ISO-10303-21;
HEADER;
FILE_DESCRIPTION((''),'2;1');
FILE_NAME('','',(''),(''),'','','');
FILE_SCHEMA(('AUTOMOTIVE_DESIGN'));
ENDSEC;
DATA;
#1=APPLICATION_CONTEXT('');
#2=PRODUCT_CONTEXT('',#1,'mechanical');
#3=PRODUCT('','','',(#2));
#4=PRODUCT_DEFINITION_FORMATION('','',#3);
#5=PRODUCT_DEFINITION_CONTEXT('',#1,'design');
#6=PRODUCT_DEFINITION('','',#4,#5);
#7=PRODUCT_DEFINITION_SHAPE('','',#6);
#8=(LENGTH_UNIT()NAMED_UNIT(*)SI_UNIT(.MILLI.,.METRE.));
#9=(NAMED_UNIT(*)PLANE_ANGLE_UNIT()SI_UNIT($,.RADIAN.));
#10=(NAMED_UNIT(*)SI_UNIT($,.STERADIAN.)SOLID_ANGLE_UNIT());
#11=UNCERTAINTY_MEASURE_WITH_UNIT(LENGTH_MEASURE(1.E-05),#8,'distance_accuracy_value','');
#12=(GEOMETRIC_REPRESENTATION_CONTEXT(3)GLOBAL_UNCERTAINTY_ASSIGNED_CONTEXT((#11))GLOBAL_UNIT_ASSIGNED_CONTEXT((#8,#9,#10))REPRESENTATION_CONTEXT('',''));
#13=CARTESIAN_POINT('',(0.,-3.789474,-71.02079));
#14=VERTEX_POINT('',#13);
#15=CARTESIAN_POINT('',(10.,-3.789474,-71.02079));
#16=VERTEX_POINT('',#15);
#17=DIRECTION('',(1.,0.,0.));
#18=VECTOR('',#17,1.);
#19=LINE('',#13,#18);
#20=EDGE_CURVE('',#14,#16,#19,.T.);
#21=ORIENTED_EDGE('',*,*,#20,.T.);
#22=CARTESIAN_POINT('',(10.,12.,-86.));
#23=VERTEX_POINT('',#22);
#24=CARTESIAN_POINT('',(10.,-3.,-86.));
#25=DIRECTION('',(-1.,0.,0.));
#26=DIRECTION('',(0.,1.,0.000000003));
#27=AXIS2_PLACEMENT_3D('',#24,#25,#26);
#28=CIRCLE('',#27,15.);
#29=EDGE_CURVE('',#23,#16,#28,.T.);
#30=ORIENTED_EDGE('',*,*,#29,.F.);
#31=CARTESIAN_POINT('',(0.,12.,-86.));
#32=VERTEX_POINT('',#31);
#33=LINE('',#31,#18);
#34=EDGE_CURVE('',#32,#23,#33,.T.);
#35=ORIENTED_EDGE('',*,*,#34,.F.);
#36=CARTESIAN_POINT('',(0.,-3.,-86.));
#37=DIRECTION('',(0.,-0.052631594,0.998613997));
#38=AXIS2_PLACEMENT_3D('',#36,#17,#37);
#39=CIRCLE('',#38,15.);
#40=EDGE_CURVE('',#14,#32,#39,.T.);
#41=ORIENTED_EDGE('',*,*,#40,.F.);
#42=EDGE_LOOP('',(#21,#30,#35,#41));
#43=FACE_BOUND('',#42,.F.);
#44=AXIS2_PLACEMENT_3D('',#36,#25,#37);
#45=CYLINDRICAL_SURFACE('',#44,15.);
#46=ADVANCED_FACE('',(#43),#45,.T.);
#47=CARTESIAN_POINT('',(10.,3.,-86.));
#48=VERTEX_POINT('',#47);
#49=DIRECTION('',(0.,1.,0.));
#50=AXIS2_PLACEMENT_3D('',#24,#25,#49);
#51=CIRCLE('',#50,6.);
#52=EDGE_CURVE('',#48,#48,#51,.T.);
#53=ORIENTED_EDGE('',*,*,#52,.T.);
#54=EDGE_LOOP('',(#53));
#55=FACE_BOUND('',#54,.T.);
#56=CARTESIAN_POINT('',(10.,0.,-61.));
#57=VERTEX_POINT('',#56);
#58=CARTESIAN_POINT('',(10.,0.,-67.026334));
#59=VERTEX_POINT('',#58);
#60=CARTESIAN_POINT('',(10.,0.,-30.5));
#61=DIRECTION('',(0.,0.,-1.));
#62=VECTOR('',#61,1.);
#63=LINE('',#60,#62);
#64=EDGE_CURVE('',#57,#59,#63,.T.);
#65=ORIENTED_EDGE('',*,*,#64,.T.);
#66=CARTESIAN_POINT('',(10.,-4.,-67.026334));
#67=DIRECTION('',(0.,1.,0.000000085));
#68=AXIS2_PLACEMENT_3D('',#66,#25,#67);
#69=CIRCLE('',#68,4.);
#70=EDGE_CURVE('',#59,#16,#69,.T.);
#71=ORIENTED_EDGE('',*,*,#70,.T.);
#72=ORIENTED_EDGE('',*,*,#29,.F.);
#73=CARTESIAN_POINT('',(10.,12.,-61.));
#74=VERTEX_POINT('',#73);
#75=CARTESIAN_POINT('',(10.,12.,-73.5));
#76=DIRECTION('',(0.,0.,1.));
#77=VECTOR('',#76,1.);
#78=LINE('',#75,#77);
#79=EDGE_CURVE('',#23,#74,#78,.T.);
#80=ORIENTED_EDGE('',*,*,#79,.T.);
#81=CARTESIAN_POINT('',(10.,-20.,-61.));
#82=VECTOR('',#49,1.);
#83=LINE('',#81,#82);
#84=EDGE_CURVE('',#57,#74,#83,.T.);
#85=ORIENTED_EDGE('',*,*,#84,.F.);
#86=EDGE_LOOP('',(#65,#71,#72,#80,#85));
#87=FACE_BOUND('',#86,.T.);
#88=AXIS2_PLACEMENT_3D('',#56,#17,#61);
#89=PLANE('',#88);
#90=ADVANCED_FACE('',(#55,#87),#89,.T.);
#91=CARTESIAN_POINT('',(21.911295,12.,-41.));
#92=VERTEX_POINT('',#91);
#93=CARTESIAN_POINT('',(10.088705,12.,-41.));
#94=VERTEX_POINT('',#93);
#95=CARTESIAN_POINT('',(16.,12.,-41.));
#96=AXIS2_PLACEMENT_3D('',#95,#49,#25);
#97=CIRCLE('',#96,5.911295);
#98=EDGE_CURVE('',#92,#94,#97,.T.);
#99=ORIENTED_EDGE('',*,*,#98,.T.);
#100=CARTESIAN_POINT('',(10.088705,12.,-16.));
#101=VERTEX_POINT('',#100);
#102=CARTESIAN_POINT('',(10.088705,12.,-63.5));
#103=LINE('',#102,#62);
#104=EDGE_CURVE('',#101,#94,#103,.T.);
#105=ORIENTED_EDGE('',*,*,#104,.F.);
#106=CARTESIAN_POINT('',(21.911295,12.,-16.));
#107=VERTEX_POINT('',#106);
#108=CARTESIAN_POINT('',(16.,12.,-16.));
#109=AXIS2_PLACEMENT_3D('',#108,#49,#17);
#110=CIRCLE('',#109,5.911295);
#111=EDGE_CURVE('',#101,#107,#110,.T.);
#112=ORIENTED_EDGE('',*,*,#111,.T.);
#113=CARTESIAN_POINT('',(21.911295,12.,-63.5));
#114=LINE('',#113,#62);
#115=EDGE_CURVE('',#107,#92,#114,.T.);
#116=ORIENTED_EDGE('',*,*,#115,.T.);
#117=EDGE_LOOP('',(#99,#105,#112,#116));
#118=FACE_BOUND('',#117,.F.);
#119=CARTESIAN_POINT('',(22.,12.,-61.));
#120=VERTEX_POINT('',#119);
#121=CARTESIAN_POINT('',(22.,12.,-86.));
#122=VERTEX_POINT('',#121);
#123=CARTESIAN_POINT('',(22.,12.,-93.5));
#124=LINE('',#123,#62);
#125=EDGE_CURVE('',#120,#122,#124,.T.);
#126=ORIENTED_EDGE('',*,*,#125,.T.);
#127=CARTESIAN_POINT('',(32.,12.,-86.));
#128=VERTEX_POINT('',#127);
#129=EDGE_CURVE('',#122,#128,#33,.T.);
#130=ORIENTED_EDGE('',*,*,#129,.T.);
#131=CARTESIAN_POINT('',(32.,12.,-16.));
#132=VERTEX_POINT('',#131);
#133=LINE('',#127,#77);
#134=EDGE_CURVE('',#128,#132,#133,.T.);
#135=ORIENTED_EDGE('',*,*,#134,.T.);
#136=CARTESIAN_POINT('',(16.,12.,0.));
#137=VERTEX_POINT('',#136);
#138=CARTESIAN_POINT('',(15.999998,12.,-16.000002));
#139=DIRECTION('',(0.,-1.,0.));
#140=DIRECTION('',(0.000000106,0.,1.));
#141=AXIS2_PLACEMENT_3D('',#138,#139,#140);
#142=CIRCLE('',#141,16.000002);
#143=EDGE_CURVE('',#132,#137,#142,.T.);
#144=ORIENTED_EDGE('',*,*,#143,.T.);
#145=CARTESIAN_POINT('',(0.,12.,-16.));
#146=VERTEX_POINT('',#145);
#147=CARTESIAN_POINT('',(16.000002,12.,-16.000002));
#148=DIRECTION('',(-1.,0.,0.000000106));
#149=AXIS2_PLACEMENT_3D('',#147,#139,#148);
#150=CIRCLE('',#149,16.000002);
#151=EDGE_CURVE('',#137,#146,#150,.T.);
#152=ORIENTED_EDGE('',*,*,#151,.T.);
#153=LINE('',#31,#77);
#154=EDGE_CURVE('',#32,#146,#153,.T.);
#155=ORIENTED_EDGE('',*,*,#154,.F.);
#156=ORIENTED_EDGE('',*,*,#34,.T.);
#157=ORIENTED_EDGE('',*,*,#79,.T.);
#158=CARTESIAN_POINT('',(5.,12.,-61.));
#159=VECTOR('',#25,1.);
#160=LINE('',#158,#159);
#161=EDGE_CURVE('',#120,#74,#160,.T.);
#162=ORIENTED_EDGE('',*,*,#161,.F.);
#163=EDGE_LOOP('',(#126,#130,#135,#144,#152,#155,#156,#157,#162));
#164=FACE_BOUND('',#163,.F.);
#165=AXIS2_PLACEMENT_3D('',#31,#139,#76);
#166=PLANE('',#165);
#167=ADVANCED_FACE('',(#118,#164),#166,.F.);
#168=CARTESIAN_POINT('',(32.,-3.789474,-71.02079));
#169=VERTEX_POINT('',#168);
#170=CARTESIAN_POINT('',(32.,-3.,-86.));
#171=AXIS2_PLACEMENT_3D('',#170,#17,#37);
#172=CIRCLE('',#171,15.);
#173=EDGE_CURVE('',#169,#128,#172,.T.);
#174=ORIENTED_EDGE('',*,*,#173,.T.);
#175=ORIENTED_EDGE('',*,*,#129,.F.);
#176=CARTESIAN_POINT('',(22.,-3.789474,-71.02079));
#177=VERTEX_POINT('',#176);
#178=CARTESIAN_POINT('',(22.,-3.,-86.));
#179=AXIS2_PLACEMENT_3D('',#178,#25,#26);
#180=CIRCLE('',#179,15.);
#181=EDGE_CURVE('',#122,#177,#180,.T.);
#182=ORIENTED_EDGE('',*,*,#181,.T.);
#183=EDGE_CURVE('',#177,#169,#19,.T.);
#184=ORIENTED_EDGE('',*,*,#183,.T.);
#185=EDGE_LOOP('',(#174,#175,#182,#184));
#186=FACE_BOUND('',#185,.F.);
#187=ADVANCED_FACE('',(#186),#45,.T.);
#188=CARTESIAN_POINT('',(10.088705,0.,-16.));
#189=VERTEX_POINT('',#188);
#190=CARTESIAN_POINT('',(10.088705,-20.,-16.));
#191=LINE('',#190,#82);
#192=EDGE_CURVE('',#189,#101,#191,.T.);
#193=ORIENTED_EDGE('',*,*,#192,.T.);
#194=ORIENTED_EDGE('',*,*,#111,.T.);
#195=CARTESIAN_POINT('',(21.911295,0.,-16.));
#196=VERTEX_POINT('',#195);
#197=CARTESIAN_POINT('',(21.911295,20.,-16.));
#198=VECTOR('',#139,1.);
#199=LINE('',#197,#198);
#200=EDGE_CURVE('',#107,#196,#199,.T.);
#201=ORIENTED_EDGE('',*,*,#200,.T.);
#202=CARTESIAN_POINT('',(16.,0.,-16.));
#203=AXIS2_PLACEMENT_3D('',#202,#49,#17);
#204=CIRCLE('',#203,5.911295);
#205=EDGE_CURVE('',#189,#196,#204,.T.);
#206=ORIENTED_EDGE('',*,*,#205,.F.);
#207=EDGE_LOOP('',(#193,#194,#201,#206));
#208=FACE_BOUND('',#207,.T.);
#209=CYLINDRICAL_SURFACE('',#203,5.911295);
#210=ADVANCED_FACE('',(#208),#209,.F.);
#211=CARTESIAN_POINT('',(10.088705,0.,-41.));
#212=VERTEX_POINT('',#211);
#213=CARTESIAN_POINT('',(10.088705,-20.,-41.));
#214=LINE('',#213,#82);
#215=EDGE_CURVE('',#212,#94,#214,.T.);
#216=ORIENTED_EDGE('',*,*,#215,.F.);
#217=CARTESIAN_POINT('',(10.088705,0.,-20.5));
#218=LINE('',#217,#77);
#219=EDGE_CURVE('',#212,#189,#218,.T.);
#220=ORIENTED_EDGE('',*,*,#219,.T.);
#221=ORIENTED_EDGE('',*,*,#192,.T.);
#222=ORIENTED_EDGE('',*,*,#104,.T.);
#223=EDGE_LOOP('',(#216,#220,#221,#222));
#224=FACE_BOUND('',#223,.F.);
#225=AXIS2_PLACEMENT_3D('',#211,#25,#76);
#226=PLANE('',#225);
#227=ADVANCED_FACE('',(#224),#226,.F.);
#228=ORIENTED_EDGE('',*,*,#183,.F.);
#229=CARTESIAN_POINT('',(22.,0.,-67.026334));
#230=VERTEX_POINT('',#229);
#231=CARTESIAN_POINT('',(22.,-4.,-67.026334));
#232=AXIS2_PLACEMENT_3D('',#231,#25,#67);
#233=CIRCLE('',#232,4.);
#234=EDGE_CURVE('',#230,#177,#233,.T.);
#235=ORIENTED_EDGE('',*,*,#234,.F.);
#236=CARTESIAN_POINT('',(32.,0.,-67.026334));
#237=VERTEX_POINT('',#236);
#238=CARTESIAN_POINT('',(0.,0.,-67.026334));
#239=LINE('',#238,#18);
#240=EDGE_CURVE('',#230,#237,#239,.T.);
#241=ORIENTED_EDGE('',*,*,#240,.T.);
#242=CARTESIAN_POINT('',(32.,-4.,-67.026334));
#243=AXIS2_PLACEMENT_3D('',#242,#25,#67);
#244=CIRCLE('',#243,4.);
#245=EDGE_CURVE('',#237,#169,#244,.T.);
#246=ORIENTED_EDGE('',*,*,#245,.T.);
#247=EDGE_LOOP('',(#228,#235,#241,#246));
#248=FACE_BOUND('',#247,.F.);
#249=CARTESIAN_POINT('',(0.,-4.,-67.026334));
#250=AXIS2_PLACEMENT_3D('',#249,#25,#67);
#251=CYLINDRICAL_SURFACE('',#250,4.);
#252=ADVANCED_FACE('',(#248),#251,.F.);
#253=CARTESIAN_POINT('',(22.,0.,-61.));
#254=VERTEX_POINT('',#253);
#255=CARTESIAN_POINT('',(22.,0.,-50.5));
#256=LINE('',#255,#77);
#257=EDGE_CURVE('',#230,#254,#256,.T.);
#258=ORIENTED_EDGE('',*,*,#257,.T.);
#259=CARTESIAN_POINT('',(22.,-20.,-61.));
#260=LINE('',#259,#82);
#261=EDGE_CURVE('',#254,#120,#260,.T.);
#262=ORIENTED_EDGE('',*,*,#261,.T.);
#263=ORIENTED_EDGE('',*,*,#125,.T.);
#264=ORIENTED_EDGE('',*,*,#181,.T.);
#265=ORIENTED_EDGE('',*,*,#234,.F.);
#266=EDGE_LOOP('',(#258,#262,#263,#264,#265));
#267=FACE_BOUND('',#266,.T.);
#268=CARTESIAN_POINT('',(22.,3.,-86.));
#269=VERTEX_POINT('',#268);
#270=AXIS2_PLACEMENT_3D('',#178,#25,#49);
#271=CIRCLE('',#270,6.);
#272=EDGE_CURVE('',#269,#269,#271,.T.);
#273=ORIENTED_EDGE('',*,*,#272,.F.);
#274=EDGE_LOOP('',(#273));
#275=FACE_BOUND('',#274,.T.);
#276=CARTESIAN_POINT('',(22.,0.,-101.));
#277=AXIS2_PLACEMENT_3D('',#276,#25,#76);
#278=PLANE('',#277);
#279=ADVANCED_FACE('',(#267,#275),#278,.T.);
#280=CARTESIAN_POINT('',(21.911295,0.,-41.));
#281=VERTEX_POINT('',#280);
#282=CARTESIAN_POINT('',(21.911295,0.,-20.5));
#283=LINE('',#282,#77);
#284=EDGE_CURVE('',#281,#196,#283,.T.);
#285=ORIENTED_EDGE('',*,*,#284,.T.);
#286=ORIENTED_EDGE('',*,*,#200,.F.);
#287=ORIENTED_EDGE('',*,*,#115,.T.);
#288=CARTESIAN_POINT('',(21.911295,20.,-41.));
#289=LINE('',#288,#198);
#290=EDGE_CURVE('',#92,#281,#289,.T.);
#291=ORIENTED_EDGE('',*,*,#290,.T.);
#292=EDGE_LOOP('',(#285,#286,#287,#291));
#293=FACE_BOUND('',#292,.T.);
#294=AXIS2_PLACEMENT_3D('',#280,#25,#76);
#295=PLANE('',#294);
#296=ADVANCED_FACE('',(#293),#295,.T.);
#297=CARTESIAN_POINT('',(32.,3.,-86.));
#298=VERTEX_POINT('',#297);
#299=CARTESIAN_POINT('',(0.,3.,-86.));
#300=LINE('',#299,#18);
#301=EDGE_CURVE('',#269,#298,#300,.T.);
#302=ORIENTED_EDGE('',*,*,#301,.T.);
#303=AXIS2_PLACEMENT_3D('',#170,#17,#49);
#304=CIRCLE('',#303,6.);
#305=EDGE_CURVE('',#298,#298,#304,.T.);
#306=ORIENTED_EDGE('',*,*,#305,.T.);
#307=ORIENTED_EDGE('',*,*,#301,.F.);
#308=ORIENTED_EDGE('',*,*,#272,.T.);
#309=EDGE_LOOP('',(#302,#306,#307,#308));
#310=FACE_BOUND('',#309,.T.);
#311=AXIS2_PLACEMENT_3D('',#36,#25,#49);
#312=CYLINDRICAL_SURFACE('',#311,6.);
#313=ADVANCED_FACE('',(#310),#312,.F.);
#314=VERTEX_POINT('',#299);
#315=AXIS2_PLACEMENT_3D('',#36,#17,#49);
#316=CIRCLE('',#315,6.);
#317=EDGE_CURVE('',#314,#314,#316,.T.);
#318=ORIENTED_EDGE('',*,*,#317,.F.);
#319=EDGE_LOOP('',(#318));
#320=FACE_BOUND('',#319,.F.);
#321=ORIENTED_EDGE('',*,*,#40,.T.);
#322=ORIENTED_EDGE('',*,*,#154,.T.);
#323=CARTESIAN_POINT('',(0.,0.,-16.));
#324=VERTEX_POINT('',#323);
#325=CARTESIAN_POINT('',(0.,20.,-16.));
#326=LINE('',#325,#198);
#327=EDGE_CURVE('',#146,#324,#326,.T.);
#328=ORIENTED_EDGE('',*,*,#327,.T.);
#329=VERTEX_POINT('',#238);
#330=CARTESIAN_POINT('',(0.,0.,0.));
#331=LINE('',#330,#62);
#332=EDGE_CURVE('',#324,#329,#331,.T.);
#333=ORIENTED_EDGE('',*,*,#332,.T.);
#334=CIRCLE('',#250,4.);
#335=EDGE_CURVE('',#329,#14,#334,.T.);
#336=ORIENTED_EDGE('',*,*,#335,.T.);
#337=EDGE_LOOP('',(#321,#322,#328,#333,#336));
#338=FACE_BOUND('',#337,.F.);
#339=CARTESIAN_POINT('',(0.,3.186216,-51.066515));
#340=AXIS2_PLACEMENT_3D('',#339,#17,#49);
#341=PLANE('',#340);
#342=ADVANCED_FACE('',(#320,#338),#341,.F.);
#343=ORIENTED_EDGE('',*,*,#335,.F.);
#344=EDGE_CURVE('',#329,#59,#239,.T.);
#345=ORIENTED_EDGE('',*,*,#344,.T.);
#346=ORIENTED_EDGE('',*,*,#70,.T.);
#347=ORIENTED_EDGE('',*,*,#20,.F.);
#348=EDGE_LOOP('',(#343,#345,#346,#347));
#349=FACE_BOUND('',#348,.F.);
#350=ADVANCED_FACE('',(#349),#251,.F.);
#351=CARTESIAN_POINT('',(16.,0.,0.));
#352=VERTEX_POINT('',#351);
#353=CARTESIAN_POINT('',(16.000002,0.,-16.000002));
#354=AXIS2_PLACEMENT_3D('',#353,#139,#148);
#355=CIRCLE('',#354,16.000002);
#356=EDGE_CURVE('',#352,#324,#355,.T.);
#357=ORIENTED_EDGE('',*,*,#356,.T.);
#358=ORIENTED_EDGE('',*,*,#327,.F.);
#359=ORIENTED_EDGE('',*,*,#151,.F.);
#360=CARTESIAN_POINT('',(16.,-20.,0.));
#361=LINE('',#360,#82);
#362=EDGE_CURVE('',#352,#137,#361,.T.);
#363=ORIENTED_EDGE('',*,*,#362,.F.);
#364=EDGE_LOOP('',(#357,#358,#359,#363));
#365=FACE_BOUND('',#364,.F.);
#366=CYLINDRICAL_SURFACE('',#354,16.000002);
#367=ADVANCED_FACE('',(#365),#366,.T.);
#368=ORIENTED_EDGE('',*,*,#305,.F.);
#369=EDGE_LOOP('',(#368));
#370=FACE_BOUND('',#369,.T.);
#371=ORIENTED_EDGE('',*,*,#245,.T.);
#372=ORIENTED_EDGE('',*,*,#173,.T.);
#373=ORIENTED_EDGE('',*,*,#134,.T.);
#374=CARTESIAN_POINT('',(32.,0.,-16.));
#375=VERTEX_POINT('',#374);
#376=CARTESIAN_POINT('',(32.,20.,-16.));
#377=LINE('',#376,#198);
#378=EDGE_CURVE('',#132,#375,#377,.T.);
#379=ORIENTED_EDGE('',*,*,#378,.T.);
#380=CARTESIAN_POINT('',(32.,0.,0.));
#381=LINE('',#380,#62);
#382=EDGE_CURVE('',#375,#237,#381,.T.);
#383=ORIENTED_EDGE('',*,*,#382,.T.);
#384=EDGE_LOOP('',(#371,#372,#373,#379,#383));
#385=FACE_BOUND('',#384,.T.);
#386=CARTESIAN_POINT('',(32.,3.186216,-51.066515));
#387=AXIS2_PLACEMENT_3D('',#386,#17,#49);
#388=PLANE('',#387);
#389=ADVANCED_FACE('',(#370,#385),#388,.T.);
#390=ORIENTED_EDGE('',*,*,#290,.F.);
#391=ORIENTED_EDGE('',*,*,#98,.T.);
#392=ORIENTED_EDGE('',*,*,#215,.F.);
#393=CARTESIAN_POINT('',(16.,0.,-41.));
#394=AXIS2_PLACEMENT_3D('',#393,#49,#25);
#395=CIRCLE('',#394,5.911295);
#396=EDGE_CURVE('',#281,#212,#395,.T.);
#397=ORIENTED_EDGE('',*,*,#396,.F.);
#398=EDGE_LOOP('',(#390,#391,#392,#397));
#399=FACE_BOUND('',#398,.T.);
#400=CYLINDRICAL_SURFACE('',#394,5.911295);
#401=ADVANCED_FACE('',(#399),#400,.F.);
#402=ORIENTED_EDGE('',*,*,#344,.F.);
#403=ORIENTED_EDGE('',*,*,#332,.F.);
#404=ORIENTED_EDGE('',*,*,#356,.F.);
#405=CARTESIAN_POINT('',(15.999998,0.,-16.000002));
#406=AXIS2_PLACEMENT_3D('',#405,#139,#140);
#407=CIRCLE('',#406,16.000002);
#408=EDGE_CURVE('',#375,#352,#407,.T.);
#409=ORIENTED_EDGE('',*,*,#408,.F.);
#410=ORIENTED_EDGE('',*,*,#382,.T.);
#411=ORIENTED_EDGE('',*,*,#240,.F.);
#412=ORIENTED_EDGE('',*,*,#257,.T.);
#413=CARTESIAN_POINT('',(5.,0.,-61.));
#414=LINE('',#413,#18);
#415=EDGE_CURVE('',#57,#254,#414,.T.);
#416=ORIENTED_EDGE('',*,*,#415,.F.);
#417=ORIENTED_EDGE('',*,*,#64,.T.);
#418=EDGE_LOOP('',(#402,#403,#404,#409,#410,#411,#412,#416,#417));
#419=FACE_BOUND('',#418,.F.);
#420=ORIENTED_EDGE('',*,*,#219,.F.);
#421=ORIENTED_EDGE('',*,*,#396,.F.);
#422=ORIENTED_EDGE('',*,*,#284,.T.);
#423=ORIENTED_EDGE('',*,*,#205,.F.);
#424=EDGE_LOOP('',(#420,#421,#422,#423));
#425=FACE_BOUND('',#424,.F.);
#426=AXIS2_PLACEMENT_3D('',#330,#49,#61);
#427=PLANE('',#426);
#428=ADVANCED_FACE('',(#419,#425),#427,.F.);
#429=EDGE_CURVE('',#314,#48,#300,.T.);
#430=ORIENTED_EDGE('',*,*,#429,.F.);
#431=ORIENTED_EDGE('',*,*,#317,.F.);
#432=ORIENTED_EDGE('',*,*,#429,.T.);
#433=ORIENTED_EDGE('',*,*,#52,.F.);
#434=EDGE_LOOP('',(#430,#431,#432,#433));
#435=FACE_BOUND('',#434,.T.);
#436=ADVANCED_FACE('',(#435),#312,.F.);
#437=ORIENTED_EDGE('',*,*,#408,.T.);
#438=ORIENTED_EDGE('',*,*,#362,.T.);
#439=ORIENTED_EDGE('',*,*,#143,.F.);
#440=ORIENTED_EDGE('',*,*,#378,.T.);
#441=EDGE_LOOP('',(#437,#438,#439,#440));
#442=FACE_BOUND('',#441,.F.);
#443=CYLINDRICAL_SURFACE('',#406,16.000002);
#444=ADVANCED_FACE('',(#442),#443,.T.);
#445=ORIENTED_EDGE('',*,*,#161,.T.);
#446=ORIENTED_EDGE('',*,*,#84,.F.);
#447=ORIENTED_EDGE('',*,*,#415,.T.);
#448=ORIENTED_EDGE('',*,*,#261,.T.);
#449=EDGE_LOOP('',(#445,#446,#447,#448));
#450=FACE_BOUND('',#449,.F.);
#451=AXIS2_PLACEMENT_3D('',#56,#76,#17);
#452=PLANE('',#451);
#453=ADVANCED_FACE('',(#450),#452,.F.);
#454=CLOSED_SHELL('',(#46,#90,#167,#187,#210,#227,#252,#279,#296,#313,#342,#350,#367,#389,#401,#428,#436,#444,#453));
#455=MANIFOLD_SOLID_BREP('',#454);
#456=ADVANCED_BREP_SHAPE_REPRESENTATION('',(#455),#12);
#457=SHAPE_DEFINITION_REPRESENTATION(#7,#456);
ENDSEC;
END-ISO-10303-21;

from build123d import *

# Parameters (mm, degrees)
F0_R     = 6
F1_DEPTH = 32
F2_W     = 12
F2_H     = 6.026334
F2_W_2   = 11.82259
F2_H_2   = 25
F2_H_3   = 33.973666
F3_DEPTH = 20


with BuildPart() as f1:
    # F0 (on Right) → F1 (new body)
    with BuildSketch(Plane.YZ):
        with BuildLine():
            Line((12, 0), (0, 0))
            Line((0, 0), (0, -67.026334))
            ThreePointArc((0, -67.026334), (-1.098095, -69.779323), (-3.789474, -71.02079))
            ThreePointArc((-3.789474, -71.02079), (-13.323708, -96.882144), (12, -86))
            Line((12, -86), (12, 0))
        make_face()
        with Locations((-3, -86)):
            Circle(F0_R, mode=Mode.SUBTRACT)
    extrude(amount=F1_DEPTH)

    # F2 (on face) → F3 (cut, symmetric)
    with BuildSketch(Plane.XZ):
        with Locations((16, -64.013167)):
            Rectangle(F2_W, F2_H)
        with BuildLine():
            ThreePointArc((10.088705, -41), (16, -46.911295), (21.911295, -41))
            Line((21.911295, -41), (10.088705, -41))
        make_face()
        with Locations((16, -28.5)):
            Rectangle(F2_W_2, F2_H_2)
        with BuildLine():
            Line((10.088705, -16), (21.911295, -16))
            ThreePointArc((21.911295, -16), (16, -10.088705), (10.088705, -16))
        make_face()
        with BuildLine():
            ThreePointArc((16, 0), (27.313708, -4.686292), (32, -16))
            Line((32, -16), (32, 0))
            Line((32, 0), (16, 0))
        make_face()
        with BuildLine():
            Line((0, 0), (0, -16))
            ThreePointArc((0, -16), (4.686292, -4.686292), (16, 0))
            Line((16, 0), (0, 0))
        make_face()
        with Locations((16, -84.013167)):
            Rectangle(F2_W, F2_H_3)
    extrude(amount=F3_DEPTH, both=True, mode=Mode.SUBTRACT)


solid = f1.part
